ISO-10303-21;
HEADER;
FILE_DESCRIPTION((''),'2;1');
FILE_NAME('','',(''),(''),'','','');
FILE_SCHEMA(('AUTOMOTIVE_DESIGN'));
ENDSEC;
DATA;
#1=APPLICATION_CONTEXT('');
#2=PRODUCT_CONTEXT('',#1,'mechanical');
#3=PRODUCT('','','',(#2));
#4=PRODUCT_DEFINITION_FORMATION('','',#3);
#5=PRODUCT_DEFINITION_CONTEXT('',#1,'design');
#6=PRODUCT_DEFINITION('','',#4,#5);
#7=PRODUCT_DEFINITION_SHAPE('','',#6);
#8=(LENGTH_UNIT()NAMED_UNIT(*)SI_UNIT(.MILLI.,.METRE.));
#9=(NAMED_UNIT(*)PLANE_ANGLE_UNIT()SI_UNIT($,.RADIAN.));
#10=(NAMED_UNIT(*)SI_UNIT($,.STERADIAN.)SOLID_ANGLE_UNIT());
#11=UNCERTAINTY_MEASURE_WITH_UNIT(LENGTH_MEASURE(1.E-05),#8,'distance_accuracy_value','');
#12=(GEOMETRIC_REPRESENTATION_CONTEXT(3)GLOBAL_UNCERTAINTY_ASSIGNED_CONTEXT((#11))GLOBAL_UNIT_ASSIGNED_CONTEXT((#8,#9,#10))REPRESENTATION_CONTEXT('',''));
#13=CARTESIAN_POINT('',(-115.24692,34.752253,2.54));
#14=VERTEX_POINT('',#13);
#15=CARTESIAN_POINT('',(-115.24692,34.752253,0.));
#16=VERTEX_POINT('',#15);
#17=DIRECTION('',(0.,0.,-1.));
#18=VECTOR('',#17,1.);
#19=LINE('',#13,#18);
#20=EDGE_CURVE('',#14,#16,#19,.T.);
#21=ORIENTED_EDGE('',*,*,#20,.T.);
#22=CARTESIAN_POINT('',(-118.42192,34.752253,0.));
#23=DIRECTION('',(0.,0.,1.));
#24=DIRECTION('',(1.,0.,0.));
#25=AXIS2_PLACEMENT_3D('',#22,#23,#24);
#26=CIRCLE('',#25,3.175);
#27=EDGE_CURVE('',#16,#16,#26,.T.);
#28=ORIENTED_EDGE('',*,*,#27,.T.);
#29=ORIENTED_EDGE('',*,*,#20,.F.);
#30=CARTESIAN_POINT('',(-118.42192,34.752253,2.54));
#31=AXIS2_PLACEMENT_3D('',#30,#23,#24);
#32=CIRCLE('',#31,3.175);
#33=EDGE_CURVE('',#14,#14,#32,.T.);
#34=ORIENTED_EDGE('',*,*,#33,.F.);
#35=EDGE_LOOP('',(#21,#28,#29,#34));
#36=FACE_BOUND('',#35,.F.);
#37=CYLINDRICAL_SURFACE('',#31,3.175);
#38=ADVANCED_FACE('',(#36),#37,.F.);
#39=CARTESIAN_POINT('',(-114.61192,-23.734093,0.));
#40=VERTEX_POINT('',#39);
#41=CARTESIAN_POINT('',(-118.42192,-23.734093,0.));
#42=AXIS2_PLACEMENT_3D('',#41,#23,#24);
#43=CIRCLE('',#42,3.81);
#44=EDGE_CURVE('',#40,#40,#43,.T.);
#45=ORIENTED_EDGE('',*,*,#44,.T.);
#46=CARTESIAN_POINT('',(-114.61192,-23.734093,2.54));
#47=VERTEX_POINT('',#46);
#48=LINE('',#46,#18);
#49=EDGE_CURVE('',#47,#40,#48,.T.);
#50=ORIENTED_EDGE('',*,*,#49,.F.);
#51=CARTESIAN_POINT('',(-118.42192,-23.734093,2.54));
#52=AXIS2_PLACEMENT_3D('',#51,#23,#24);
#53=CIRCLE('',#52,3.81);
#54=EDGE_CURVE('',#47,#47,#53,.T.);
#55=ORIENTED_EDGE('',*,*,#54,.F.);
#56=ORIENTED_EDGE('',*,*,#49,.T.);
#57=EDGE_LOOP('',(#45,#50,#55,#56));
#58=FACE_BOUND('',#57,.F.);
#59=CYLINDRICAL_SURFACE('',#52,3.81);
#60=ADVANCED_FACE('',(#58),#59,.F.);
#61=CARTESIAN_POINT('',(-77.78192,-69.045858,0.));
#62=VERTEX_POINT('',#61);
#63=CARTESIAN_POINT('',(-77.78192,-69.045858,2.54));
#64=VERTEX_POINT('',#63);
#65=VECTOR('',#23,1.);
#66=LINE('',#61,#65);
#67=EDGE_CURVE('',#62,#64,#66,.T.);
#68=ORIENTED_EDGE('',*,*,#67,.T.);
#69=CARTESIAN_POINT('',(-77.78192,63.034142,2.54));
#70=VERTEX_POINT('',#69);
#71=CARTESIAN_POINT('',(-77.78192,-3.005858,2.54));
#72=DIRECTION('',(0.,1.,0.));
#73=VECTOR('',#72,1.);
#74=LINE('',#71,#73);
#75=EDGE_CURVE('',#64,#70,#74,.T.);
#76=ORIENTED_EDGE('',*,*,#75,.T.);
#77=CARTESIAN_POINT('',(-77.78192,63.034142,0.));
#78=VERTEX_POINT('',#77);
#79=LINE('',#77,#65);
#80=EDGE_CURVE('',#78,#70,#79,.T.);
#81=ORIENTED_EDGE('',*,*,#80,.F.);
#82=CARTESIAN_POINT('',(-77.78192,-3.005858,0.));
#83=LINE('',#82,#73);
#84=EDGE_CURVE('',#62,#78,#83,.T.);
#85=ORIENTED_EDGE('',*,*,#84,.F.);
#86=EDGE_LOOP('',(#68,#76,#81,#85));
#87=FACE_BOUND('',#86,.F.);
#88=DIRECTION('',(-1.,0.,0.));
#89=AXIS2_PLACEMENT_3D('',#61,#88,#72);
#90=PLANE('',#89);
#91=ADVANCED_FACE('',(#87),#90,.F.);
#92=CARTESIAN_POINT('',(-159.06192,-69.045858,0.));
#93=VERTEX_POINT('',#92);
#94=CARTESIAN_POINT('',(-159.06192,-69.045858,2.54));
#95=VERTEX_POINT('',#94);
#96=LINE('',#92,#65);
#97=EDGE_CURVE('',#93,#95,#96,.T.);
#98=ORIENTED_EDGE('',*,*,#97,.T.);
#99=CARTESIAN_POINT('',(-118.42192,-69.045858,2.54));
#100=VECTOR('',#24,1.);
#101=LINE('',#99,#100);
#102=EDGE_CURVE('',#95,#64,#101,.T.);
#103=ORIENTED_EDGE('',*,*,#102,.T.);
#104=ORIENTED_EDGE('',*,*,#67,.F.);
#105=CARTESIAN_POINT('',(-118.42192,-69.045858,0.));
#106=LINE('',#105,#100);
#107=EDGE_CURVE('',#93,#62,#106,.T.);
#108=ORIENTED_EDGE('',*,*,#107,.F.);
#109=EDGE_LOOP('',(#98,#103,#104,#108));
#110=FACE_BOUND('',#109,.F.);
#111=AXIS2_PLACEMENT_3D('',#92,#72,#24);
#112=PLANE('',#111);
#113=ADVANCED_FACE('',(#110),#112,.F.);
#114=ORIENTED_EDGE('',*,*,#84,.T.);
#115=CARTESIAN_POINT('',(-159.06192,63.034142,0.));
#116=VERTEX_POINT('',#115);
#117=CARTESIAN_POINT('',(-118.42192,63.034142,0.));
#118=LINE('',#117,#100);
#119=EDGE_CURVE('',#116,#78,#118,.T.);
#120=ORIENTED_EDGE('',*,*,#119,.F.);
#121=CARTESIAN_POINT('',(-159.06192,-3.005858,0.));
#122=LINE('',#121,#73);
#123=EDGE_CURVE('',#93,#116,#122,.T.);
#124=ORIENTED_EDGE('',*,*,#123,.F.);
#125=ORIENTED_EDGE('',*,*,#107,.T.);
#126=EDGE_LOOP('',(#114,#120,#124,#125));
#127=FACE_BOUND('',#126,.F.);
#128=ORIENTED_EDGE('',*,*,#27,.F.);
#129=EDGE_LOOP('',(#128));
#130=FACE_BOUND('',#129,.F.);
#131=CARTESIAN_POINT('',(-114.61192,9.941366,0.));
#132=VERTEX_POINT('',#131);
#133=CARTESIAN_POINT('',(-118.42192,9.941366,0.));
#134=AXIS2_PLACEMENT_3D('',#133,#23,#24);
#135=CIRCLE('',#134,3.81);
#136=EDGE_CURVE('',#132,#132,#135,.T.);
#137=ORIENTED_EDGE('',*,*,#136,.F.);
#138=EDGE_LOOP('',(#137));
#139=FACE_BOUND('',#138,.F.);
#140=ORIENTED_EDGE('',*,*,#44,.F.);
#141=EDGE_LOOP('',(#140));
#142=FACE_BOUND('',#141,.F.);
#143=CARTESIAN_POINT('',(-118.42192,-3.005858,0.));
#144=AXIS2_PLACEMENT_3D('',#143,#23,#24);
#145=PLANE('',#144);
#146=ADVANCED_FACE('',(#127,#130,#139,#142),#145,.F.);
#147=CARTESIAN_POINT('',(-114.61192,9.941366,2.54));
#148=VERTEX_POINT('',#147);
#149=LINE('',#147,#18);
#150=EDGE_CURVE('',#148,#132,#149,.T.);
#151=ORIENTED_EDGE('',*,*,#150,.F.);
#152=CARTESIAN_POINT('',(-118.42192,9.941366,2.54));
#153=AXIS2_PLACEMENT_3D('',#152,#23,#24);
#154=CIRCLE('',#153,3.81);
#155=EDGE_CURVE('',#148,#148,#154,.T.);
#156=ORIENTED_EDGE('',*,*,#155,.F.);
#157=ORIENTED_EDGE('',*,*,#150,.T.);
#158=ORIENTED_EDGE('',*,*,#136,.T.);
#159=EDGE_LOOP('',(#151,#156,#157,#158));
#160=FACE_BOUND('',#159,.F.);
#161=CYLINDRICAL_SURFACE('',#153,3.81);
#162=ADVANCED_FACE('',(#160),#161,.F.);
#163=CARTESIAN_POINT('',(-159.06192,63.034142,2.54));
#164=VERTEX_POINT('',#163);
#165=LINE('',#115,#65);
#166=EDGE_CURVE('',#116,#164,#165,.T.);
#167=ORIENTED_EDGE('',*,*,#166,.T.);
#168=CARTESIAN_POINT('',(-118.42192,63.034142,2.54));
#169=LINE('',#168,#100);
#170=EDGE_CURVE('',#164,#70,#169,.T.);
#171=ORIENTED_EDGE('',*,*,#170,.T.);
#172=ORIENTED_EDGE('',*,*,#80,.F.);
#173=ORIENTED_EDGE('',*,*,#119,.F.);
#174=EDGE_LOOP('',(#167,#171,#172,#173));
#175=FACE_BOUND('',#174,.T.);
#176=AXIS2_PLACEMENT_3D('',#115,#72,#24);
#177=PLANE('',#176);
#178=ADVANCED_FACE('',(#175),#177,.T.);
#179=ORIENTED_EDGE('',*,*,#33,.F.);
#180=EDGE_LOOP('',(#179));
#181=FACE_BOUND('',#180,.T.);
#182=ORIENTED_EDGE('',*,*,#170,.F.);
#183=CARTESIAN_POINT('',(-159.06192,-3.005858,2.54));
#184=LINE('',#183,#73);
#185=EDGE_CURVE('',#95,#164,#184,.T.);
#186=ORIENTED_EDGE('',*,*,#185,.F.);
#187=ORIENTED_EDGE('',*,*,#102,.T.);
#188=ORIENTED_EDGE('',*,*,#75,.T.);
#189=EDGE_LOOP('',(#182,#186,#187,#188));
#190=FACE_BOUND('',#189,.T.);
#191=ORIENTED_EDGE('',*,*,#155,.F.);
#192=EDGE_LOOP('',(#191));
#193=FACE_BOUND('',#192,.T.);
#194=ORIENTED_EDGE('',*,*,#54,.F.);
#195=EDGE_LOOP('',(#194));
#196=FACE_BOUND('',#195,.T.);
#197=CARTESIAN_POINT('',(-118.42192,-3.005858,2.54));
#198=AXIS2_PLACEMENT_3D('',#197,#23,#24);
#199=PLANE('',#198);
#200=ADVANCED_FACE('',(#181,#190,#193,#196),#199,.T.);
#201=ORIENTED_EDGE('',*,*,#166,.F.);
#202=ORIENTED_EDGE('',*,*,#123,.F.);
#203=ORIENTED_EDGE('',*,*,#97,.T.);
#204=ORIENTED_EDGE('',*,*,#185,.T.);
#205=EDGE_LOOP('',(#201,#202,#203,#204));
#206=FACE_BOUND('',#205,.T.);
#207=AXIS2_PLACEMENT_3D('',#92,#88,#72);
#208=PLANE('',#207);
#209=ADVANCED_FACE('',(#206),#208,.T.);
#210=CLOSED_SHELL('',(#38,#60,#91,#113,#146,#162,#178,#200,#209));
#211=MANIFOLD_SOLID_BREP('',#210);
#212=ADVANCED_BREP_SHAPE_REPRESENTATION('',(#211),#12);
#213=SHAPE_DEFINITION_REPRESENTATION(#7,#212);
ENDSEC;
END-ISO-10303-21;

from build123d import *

# Parameters (mm, degrees)
F0_W     = 81.28
F0_H     = 132.08
F1_DEPTH = 2.54
F2_R     = 3.175
F5_DEPTH = 2.54
F4_R     = 3.81
F6_DEPTH = 2.54
F3_R     = 3.81
F7_DEPTH = 2.54


with BuildPart() as f1:
    # F0 (on Top) → F1 (new body)
    with BuildSketch(Plane.XY):
        with Locations((-118.42192, -3.005858)):
            Rectangle(F0_W, F0_H)
    extrude(amount=F1_DEPTH)

    # F2 (on face) → F5 (cut)
    with BuildSketch(Plane.XY.offset(2.54)):
        with Locations((-118.42192, 34.752253)):
            Circle(F2_R)
    extrude(amount=-F5_DEPTH, mode=Mode.SUBTRACT)

    # F4 (on face) → F6 (cut)
    with BuildSketch(Plane.XY.offset(2.54)):
        with Locations((-118.42192, -23.734093)):
            Circle(F4_R)
    extrude(amount=-F6_DEPTH, mode=Mode.SUBTRACT)

    # F3 (on face) → F7 (cut)
    with BuildSketch(Plane.XY.offset(2.54)):
        with Locations((-118.42192, 9.941366)):
            Circle(F3_R)
    extrude(amount=-F7_DEPTH, mode=Mode.SUBTRACT)


solid = f1.part
